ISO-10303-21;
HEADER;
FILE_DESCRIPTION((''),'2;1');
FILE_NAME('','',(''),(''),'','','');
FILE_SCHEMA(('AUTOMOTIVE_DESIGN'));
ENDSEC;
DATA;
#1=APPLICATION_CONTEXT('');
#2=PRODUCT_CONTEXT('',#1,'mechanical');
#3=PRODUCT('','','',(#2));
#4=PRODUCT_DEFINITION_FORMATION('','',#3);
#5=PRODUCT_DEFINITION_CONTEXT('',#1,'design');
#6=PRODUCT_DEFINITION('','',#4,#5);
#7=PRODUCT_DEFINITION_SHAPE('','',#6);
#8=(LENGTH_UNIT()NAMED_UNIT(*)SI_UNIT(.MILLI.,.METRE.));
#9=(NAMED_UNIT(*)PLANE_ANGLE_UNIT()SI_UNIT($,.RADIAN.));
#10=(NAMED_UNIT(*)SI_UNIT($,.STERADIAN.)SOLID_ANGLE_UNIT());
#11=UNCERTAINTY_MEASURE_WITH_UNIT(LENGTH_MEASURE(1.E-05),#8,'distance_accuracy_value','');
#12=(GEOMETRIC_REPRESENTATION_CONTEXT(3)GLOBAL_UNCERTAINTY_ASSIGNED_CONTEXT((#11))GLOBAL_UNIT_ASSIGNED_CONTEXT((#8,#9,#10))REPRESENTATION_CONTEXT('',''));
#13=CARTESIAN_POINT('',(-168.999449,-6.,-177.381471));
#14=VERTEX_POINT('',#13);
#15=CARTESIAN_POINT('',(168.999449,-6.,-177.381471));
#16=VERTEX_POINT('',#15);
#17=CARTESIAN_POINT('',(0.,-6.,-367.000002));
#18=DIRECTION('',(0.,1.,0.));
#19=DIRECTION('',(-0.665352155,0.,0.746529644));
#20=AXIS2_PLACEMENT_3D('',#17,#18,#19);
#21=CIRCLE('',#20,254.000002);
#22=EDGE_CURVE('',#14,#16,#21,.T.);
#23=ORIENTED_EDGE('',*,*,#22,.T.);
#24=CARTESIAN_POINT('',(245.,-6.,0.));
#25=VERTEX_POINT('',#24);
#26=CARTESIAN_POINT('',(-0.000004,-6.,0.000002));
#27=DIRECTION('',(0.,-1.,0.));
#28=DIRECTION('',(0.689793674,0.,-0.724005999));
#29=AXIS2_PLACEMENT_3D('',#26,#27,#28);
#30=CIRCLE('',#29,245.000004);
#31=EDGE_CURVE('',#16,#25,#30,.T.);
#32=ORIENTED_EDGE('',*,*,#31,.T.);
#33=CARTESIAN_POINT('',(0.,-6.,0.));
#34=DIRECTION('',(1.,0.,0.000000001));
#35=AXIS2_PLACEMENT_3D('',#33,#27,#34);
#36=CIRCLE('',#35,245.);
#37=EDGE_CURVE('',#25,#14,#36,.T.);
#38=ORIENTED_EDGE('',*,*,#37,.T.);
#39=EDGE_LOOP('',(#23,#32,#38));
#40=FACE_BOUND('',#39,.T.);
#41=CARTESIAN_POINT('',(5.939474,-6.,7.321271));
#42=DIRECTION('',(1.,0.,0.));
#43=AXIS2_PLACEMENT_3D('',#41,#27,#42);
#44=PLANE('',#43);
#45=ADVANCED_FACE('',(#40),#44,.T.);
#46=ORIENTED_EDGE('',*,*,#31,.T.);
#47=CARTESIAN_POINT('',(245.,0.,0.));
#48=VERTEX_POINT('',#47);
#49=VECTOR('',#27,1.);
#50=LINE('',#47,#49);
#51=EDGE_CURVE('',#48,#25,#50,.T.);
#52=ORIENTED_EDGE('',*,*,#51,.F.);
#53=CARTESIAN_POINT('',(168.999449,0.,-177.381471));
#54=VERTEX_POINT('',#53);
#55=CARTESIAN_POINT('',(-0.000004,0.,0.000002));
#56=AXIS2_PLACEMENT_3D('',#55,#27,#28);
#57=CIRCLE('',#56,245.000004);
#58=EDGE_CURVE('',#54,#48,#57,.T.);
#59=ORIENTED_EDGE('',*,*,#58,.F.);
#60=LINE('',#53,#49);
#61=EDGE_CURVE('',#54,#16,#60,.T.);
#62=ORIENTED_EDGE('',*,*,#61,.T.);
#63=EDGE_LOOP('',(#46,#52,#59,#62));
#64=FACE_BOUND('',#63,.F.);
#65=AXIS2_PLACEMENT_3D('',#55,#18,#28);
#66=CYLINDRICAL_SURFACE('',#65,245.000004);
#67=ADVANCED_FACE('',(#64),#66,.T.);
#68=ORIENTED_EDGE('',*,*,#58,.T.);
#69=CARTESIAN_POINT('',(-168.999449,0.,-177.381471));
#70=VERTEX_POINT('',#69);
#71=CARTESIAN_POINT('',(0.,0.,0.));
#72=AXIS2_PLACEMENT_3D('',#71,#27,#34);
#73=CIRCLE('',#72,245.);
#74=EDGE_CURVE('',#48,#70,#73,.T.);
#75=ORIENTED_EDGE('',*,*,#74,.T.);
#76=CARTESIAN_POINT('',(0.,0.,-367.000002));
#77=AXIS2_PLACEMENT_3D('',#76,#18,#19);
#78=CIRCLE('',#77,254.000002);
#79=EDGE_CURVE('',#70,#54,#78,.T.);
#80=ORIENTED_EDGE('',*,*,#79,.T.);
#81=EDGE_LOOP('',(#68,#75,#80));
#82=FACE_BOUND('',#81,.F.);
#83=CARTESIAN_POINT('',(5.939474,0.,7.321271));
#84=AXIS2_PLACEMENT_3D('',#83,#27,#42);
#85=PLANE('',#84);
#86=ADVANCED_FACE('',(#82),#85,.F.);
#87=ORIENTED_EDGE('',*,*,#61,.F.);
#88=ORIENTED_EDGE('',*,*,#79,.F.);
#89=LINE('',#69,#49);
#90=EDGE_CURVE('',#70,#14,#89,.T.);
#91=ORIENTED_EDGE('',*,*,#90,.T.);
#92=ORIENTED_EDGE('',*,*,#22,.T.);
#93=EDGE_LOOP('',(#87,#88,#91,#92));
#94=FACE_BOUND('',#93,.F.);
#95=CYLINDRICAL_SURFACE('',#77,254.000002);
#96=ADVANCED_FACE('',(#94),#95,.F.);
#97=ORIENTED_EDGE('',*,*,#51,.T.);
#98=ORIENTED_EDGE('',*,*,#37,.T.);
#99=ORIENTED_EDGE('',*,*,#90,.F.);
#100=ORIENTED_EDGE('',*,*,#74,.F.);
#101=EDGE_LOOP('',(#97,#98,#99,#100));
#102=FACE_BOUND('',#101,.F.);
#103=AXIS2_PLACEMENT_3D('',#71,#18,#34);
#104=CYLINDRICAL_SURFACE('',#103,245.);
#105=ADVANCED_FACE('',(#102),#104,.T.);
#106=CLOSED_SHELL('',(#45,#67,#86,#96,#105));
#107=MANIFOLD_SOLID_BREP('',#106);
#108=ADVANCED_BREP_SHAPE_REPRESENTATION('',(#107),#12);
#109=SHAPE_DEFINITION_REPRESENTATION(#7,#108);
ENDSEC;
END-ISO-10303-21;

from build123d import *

# Parameters (mm, degrees)
F1_DEPTH = 6


with BuildPart() as f1:
    # F0 (on Front) → F1 (new body)
    with BuildSketch(Plane.XZ):
        with BuildLine():
            ThreePointArc((168.999449, -177.381471), (225.199761, -96.488691), (245, 0))
            ThreePointArc((245, 0), (-96.488691, 225.199761), (-168.999449, -177.381471))
            ThreePointArc((-168.999449, -177.381471), (0, -113), (168.999449, -177.381471))
        make_face()
    extrude(amount=F1_DEPTH)


solid = f1.part
